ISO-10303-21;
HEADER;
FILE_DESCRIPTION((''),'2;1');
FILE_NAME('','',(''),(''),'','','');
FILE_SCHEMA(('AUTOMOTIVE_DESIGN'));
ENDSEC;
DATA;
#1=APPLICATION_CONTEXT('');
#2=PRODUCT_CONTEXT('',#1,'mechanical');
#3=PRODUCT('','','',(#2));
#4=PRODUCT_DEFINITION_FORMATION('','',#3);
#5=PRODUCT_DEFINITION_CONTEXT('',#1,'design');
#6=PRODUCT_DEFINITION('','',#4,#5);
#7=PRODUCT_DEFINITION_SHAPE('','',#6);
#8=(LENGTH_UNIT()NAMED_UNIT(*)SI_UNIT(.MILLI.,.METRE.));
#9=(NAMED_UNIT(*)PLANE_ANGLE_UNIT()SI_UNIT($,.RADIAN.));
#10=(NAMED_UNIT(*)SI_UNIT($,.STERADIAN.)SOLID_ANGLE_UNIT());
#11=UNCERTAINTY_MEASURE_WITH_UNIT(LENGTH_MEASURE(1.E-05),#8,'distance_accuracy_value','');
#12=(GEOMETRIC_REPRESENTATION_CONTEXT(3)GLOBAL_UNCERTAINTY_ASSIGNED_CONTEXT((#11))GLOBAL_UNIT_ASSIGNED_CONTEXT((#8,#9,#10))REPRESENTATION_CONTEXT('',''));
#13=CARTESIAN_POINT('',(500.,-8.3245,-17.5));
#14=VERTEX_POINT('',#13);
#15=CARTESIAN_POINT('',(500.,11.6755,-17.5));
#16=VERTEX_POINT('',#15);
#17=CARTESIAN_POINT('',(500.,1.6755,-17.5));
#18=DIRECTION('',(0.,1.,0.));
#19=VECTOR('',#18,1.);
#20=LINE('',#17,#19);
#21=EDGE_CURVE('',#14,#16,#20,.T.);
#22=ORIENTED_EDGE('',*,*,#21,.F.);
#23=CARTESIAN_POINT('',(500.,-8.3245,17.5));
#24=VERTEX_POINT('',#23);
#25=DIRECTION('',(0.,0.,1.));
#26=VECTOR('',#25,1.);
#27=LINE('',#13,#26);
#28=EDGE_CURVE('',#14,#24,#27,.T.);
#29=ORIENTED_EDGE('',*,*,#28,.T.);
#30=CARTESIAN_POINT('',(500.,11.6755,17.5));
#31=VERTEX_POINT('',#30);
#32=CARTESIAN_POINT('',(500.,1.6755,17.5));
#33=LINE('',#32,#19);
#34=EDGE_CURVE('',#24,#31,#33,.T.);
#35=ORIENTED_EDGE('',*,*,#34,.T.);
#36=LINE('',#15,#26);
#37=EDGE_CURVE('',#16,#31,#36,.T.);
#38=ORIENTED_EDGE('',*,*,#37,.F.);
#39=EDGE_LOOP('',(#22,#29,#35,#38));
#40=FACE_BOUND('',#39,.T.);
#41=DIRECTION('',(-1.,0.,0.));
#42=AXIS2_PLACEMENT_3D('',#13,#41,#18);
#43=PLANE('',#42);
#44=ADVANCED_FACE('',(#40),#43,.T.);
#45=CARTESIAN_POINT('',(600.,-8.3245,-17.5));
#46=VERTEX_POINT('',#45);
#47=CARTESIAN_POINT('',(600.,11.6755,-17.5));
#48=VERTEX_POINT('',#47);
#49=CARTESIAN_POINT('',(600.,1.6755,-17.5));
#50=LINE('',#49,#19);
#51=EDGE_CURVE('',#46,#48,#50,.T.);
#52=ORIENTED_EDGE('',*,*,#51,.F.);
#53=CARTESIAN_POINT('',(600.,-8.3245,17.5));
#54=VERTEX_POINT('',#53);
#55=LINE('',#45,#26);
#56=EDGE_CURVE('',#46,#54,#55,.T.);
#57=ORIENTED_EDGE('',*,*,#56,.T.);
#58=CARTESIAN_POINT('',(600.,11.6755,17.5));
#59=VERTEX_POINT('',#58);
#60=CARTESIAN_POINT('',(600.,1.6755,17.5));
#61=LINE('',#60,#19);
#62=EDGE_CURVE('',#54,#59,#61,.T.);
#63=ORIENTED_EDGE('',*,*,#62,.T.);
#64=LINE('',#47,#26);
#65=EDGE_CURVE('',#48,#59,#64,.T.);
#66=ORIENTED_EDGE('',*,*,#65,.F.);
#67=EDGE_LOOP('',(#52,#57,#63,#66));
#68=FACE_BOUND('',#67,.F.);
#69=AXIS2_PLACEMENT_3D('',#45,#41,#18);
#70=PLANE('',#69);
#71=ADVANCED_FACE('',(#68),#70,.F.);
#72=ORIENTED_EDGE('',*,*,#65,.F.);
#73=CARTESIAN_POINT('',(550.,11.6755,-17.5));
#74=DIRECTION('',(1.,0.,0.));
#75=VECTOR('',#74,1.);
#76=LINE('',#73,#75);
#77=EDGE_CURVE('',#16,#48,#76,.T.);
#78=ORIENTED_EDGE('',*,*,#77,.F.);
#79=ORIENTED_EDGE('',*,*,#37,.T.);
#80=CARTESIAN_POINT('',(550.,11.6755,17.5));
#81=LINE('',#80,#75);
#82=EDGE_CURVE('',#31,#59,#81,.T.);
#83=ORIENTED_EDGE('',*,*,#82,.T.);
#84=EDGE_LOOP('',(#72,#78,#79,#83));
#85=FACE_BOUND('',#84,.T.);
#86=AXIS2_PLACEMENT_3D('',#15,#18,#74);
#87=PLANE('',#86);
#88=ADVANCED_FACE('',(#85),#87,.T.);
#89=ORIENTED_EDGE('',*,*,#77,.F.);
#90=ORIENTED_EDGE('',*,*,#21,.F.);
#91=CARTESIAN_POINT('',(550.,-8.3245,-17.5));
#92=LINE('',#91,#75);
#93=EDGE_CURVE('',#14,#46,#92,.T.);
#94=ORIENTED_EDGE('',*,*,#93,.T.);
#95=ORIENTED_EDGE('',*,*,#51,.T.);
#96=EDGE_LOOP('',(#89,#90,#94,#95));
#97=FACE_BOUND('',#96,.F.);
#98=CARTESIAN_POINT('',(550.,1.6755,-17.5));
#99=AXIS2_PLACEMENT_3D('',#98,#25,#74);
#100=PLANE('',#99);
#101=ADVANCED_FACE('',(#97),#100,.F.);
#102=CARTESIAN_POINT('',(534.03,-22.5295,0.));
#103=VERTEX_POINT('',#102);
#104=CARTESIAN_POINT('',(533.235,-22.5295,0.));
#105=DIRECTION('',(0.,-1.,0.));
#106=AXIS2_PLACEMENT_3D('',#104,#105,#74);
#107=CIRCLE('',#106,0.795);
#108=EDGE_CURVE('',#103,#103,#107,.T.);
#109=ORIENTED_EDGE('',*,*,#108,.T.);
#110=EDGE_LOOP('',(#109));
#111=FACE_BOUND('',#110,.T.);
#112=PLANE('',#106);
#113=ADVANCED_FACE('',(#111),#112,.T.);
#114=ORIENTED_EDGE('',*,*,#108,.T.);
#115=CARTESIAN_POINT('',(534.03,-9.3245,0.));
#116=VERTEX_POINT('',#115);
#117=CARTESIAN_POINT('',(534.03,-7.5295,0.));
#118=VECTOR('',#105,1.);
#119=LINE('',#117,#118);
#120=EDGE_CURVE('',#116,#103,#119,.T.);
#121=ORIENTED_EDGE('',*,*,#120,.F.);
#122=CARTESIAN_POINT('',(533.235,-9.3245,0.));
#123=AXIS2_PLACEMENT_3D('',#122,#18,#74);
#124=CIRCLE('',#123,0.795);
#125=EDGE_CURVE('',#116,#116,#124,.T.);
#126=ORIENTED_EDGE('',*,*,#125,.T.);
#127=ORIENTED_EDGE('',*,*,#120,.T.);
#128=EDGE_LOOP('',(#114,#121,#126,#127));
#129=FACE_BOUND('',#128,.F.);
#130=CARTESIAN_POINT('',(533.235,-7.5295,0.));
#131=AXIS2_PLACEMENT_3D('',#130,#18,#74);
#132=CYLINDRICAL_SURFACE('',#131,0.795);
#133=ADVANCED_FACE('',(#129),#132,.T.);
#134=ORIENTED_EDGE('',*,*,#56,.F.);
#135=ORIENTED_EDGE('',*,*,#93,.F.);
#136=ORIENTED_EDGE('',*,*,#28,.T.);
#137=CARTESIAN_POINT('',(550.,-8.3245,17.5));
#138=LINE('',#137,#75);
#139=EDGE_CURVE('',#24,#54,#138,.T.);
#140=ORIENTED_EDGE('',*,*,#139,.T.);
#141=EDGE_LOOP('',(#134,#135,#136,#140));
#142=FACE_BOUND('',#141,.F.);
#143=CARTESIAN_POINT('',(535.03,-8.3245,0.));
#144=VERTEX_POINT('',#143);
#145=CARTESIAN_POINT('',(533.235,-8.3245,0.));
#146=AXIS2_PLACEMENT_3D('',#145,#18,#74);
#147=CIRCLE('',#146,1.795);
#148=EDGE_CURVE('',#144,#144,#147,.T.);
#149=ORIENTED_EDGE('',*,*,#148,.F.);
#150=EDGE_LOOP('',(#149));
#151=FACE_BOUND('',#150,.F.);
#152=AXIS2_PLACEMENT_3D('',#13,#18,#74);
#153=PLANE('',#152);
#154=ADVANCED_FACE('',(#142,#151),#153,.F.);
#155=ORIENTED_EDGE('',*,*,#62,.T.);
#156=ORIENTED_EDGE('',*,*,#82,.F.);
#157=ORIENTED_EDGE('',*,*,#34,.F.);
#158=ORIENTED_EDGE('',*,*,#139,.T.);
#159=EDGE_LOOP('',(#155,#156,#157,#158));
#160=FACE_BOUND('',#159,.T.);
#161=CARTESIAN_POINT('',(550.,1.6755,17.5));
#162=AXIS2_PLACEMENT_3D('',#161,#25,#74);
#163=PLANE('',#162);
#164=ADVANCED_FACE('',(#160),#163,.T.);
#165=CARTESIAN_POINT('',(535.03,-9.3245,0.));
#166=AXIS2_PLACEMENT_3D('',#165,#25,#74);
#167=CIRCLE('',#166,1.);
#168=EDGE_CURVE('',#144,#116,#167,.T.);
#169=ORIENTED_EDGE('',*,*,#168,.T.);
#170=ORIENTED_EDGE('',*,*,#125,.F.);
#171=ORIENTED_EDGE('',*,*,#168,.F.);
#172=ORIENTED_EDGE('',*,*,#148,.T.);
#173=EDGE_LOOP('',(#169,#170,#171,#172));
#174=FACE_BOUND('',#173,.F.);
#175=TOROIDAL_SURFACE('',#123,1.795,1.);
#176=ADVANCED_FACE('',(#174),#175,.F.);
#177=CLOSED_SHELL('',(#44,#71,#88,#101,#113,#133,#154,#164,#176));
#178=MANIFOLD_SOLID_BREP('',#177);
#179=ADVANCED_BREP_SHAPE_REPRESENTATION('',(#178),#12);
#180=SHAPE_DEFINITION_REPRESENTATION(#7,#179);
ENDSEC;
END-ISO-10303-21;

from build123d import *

# Parameters (mm, degrees)
BOX_W             = 100
BOX_H             = 20
BOX_DEPTH         = 35
CYLINDER001_R     = 0.795
CYLINDER001_DEPTH = 15
FILLET_R          = 1


with BuildPart() as cube:
    # Box → Box (new body)
    with BuildSketch(Plane(origin=(500, -8.3245, -17.5), x_dir=(1, 0, 0), z_dir=(0, 0, 1))):
        with Locations((50, 10)):
            Rectangle(BOX_W, BOX_H)
    extrude(amount=BOX_DEPTH)


with BuildPart() as fillet_body:
    # Cylinder001 → Cylinder001 (new body)
    with BuildSketch(Plane(origin=(533.235, -7.5295, 0), x_dir=(1, 0, 0), z_dir=(0, -1, 0))):
        Circle(CYLINDER001_R)
    extrude(amount=CYLINDER001_DEPTH)

    # Fusion: union Cube
    add(cube.part)

    # Fillet
    fillet_edges = [fillet_body.edges().sort_by_distance(p)[0] for p in [
        (532.44, -8.3245, 0),
    ]]
    fillet(fillet_edges, radius=FILLET_R)


solid = fillet_body.part
